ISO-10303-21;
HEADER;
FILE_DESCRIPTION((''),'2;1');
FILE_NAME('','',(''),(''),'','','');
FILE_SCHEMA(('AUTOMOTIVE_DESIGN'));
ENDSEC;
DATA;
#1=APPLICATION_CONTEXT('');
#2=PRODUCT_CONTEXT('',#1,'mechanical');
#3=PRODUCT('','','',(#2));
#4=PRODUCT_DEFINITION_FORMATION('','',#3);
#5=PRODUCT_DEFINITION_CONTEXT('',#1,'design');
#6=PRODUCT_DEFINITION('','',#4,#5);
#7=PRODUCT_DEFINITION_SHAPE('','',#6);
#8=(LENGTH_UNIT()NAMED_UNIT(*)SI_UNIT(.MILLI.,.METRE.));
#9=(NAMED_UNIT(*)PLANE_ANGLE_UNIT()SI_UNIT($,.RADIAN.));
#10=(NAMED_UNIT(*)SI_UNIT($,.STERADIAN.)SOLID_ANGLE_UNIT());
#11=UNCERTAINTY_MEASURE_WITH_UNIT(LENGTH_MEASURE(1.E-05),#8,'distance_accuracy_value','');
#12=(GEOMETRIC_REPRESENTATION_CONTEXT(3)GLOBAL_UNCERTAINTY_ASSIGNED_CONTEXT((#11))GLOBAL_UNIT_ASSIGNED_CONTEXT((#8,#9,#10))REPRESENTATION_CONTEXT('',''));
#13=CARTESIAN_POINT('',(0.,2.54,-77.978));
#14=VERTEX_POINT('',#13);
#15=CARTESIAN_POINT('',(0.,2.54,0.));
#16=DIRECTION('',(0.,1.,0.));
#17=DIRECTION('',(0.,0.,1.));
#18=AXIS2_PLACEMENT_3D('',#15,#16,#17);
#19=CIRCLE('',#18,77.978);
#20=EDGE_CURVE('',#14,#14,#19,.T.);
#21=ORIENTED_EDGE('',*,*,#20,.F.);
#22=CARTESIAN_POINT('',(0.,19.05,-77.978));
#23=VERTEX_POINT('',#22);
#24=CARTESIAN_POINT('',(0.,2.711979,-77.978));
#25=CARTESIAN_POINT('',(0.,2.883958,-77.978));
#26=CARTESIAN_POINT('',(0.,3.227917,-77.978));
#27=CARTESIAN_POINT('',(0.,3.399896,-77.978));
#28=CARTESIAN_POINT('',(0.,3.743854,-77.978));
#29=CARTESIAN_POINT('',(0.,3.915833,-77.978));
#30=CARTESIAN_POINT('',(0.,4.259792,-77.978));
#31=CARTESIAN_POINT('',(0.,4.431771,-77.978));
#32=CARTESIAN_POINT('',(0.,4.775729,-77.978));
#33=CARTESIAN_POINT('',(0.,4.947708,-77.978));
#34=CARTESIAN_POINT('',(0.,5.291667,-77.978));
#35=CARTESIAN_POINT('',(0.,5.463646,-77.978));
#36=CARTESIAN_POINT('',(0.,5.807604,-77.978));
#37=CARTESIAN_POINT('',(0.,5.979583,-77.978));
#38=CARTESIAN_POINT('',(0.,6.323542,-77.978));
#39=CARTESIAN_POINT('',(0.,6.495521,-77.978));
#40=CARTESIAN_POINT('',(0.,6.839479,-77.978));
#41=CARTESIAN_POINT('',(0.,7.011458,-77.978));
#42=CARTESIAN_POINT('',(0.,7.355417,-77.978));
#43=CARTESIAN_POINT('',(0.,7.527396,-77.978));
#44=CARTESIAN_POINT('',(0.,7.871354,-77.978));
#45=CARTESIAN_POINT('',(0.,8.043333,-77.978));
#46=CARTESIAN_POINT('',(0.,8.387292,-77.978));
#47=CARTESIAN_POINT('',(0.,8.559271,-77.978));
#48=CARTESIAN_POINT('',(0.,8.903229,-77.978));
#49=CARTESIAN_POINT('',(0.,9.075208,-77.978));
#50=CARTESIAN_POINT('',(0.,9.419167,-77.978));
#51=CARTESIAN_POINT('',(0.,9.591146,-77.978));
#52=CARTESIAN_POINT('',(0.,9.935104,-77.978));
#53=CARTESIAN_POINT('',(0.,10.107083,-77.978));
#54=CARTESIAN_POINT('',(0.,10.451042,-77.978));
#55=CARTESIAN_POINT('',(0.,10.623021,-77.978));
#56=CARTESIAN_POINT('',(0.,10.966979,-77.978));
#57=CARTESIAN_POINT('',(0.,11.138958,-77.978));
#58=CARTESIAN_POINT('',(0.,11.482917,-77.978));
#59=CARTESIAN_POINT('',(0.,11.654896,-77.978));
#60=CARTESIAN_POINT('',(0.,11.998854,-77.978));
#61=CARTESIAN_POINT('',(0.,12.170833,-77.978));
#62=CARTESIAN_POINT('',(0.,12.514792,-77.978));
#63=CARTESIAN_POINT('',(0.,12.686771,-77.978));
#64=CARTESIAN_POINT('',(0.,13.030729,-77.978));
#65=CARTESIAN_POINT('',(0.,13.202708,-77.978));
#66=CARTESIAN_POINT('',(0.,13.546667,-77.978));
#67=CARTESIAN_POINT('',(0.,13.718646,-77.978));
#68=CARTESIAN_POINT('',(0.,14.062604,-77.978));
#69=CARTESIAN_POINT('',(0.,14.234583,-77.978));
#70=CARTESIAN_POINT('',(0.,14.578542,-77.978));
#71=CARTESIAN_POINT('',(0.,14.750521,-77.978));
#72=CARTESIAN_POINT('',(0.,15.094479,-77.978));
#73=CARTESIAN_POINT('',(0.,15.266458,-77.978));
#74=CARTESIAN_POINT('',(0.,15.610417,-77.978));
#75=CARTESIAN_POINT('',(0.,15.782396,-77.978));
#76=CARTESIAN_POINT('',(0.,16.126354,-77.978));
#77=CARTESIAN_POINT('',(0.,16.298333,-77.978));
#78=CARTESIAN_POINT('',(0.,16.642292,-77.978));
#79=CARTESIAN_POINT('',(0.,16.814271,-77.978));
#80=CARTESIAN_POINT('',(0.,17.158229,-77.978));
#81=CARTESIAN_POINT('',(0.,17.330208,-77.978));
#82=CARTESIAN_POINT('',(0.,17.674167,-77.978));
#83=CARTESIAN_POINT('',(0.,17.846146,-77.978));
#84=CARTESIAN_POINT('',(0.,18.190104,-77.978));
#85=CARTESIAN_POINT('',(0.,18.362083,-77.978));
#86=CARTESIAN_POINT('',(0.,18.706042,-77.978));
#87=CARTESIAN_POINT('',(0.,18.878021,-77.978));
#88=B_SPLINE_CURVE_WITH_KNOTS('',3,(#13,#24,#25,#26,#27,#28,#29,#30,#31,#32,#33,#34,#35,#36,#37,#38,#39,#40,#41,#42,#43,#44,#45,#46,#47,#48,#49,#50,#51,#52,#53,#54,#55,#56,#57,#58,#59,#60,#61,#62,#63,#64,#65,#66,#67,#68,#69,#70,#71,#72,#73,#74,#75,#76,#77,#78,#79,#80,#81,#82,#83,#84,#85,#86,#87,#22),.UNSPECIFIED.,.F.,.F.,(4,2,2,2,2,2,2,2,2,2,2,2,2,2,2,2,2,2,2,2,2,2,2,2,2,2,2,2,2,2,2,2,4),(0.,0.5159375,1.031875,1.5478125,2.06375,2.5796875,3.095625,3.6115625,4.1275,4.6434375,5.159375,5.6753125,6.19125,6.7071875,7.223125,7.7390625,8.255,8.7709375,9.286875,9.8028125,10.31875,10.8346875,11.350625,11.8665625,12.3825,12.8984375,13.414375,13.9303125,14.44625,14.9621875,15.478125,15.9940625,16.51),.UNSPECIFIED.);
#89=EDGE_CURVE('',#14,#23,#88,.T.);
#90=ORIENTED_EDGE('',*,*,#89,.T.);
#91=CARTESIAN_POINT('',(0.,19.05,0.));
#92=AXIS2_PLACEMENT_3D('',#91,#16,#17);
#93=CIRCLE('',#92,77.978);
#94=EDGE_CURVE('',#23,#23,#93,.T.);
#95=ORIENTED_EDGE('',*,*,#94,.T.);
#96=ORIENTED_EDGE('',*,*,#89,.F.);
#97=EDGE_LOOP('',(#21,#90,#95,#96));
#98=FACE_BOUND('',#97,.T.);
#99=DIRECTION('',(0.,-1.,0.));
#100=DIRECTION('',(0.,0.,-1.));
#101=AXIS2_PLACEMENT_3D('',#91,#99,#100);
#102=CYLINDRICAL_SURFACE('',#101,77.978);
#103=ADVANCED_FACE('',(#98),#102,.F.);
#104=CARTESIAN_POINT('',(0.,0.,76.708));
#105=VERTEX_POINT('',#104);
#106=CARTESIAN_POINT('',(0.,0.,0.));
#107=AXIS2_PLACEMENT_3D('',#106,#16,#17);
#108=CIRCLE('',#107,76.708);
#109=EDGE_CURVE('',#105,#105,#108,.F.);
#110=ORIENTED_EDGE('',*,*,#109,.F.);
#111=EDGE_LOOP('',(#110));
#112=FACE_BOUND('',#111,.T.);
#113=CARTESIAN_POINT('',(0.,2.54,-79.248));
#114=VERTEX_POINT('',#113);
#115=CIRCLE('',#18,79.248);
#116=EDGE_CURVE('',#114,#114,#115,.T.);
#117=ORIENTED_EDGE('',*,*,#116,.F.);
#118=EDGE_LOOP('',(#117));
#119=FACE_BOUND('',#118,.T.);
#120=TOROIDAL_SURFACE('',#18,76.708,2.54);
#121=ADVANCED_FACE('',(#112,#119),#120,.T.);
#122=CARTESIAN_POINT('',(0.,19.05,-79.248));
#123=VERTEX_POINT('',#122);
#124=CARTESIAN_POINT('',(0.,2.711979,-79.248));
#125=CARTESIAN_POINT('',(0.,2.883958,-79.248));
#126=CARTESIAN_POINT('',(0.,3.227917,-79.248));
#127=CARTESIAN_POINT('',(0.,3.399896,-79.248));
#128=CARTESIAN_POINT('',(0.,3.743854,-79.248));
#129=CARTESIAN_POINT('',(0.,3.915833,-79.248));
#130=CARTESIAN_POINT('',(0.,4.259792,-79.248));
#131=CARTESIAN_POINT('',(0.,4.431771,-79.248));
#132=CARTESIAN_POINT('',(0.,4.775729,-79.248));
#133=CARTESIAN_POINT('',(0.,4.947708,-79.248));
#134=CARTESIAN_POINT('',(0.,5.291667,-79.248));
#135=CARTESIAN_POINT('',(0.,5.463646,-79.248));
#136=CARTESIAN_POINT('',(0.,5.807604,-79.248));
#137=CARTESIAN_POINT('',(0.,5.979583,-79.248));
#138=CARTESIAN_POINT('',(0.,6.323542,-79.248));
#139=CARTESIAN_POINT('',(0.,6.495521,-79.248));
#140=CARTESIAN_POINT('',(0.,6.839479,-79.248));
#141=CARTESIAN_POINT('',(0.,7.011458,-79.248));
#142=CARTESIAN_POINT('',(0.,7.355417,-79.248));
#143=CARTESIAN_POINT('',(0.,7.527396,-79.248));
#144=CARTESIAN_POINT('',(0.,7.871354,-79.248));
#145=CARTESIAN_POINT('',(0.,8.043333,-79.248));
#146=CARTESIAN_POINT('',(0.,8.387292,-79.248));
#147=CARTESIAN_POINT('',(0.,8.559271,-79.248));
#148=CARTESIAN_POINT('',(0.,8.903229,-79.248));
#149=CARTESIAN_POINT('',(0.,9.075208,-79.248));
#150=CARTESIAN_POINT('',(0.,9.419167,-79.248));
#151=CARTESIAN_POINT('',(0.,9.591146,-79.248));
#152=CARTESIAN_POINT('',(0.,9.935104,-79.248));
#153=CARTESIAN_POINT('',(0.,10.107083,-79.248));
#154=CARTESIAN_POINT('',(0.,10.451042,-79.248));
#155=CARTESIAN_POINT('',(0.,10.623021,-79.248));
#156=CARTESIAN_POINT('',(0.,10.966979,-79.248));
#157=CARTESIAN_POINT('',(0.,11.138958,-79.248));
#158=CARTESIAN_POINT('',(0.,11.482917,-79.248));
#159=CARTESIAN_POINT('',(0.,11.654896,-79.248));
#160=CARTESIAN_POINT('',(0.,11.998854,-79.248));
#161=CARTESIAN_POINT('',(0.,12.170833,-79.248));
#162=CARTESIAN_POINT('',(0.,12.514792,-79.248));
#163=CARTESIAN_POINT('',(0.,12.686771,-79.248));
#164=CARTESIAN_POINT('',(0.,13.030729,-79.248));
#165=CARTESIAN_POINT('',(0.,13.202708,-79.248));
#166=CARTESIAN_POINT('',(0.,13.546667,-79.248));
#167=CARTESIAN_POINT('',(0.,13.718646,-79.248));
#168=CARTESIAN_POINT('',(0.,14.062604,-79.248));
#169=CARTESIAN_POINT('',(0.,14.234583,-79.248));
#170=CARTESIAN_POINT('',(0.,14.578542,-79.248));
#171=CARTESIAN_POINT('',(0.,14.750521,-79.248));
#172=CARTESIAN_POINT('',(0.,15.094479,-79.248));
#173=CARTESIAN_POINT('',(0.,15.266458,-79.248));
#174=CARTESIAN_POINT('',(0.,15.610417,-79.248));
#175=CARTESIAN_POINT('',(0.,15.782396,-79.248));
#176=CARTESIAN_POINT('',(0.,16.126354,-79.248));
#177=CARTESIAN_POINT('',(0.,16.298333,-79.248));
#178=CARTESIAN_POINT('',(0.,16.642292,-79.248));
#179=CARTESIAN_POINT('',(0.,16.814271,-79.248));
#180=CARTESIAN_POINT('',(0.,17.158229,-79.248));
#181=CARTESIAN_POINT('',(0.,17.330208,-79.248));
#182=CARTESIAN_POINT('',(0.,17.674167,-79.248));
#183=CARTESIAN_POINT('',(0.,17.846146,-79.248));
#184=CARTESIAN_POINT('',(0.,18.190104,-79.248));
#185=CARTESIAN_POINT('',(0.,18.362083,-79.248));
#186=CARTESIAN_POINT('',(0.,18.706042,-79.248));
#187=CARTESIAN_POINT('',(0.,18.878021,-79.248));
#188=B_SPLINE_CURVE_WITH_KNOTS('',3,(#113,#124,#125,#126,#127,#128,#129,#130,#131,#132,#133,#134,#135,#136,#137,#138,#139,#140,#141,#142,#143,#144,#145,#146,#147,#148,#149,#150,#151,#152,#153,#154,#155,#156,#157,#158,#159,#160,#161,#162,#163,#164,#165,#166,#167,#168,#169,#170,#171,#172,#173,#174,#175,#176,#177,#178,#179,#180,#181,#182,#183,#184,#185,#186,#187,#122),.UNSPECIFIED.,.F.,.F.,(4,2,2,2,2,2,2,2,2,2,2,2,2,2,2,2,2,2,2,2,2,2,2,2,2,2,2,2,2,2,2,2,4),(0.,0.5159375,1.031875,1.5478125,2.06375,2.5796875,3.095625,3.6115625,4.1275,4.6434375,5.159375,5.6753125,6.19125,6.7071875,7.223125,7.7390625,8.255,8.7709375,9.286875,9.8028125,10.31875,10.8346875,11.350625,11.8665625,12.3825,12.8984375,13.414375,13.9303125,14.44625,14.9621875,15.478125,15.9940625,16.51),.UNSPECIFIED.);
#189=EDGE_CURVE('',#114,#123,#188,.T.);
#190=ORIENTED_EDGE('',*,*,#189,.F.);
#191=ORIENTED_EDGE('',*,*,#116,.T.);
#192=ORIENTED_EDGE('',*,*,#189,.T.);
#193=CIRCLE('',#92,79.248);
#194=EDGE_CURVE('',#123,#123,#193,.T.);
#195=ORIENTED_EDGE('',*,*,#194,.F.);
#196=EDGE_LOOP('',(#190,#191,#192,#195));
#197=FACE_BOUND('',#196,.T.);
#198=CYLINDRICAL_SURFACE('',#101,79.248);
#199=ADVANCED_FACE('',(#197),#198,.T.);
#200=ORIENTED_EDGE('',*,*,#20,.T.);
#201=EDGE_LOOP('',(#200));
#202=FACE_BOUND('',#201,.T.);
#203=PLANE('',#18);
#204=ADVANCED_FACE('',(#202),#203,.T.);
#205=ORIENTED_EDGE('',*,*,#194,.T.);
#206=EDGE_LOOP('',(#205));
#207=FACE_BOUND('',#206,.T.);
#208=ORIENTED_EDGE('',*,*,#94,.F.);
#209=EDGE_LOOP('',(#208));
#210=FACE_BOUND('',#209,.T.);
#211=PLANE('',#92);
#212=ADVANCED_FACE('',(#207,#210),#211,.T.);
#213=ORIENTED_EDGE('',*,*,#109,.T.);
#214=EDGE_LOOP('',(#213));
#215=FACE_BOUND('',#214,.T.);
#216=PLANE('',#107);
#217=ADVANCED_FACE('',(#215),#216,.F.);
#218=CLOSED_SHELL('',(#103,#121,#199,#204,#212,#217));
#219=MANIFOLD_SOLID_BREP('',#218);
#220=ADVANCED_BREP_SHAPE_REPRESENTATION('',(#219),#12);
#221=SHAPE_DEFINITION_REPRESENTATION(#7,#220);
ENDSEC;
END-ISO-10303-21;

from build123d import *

# Parameters (mm, degrees)
SKETCH1_R           = 79.248
SKETCH1_R_2         = 77.978
BOSS_EXTRUDE1_DEPTH = 19.05
SKETCH2_R           = 77.978
BOSS_EXTRUDE2_DEPTH = 2.54
FILLET1_R           = 2.54


with BuildPart() as part:
    # Sketch1 → Boss-Extrude1 (new body)
    with BuildSketch(Plane(origin=(0, 0, 0), x_dir=(1, 0, 0), z_dir=(0, 1, 0))):
        with Locations(Location((0, 0, 0), (0, 0, 90))):
            Circle(SKETCH1_R)
        with Locations(Location((0, 0, 0), (0, 0, 90))):
            Circle(SKETCH1_R_2, mode=Mode.SUBTRACT)
    extrude(amount=BOSS_EXTRUDE1_DEPTH)

    # Sketch2 → Boss-Extrude2 (add)
    with BuildSketch(Plane(origin=(0, 0, 0), x_dir=(1, 0, 0), z_dir=(0, 1, 0))):
        with Locations(Location((0, 0, 0), (0, 0, 90))):
            Circle(SKETCH2_R)
    extrude(amount=BOSS_EXTRUDE2_DEPTH)

    # Fillet1
    fillet1_edges = [part.edges().sort_by_distance(p)[0] for p in [
        (0, 0, 79.248),
    ]]
    fillet(fillet1_edges, radius=FILLET1_R)


solid = part.part
